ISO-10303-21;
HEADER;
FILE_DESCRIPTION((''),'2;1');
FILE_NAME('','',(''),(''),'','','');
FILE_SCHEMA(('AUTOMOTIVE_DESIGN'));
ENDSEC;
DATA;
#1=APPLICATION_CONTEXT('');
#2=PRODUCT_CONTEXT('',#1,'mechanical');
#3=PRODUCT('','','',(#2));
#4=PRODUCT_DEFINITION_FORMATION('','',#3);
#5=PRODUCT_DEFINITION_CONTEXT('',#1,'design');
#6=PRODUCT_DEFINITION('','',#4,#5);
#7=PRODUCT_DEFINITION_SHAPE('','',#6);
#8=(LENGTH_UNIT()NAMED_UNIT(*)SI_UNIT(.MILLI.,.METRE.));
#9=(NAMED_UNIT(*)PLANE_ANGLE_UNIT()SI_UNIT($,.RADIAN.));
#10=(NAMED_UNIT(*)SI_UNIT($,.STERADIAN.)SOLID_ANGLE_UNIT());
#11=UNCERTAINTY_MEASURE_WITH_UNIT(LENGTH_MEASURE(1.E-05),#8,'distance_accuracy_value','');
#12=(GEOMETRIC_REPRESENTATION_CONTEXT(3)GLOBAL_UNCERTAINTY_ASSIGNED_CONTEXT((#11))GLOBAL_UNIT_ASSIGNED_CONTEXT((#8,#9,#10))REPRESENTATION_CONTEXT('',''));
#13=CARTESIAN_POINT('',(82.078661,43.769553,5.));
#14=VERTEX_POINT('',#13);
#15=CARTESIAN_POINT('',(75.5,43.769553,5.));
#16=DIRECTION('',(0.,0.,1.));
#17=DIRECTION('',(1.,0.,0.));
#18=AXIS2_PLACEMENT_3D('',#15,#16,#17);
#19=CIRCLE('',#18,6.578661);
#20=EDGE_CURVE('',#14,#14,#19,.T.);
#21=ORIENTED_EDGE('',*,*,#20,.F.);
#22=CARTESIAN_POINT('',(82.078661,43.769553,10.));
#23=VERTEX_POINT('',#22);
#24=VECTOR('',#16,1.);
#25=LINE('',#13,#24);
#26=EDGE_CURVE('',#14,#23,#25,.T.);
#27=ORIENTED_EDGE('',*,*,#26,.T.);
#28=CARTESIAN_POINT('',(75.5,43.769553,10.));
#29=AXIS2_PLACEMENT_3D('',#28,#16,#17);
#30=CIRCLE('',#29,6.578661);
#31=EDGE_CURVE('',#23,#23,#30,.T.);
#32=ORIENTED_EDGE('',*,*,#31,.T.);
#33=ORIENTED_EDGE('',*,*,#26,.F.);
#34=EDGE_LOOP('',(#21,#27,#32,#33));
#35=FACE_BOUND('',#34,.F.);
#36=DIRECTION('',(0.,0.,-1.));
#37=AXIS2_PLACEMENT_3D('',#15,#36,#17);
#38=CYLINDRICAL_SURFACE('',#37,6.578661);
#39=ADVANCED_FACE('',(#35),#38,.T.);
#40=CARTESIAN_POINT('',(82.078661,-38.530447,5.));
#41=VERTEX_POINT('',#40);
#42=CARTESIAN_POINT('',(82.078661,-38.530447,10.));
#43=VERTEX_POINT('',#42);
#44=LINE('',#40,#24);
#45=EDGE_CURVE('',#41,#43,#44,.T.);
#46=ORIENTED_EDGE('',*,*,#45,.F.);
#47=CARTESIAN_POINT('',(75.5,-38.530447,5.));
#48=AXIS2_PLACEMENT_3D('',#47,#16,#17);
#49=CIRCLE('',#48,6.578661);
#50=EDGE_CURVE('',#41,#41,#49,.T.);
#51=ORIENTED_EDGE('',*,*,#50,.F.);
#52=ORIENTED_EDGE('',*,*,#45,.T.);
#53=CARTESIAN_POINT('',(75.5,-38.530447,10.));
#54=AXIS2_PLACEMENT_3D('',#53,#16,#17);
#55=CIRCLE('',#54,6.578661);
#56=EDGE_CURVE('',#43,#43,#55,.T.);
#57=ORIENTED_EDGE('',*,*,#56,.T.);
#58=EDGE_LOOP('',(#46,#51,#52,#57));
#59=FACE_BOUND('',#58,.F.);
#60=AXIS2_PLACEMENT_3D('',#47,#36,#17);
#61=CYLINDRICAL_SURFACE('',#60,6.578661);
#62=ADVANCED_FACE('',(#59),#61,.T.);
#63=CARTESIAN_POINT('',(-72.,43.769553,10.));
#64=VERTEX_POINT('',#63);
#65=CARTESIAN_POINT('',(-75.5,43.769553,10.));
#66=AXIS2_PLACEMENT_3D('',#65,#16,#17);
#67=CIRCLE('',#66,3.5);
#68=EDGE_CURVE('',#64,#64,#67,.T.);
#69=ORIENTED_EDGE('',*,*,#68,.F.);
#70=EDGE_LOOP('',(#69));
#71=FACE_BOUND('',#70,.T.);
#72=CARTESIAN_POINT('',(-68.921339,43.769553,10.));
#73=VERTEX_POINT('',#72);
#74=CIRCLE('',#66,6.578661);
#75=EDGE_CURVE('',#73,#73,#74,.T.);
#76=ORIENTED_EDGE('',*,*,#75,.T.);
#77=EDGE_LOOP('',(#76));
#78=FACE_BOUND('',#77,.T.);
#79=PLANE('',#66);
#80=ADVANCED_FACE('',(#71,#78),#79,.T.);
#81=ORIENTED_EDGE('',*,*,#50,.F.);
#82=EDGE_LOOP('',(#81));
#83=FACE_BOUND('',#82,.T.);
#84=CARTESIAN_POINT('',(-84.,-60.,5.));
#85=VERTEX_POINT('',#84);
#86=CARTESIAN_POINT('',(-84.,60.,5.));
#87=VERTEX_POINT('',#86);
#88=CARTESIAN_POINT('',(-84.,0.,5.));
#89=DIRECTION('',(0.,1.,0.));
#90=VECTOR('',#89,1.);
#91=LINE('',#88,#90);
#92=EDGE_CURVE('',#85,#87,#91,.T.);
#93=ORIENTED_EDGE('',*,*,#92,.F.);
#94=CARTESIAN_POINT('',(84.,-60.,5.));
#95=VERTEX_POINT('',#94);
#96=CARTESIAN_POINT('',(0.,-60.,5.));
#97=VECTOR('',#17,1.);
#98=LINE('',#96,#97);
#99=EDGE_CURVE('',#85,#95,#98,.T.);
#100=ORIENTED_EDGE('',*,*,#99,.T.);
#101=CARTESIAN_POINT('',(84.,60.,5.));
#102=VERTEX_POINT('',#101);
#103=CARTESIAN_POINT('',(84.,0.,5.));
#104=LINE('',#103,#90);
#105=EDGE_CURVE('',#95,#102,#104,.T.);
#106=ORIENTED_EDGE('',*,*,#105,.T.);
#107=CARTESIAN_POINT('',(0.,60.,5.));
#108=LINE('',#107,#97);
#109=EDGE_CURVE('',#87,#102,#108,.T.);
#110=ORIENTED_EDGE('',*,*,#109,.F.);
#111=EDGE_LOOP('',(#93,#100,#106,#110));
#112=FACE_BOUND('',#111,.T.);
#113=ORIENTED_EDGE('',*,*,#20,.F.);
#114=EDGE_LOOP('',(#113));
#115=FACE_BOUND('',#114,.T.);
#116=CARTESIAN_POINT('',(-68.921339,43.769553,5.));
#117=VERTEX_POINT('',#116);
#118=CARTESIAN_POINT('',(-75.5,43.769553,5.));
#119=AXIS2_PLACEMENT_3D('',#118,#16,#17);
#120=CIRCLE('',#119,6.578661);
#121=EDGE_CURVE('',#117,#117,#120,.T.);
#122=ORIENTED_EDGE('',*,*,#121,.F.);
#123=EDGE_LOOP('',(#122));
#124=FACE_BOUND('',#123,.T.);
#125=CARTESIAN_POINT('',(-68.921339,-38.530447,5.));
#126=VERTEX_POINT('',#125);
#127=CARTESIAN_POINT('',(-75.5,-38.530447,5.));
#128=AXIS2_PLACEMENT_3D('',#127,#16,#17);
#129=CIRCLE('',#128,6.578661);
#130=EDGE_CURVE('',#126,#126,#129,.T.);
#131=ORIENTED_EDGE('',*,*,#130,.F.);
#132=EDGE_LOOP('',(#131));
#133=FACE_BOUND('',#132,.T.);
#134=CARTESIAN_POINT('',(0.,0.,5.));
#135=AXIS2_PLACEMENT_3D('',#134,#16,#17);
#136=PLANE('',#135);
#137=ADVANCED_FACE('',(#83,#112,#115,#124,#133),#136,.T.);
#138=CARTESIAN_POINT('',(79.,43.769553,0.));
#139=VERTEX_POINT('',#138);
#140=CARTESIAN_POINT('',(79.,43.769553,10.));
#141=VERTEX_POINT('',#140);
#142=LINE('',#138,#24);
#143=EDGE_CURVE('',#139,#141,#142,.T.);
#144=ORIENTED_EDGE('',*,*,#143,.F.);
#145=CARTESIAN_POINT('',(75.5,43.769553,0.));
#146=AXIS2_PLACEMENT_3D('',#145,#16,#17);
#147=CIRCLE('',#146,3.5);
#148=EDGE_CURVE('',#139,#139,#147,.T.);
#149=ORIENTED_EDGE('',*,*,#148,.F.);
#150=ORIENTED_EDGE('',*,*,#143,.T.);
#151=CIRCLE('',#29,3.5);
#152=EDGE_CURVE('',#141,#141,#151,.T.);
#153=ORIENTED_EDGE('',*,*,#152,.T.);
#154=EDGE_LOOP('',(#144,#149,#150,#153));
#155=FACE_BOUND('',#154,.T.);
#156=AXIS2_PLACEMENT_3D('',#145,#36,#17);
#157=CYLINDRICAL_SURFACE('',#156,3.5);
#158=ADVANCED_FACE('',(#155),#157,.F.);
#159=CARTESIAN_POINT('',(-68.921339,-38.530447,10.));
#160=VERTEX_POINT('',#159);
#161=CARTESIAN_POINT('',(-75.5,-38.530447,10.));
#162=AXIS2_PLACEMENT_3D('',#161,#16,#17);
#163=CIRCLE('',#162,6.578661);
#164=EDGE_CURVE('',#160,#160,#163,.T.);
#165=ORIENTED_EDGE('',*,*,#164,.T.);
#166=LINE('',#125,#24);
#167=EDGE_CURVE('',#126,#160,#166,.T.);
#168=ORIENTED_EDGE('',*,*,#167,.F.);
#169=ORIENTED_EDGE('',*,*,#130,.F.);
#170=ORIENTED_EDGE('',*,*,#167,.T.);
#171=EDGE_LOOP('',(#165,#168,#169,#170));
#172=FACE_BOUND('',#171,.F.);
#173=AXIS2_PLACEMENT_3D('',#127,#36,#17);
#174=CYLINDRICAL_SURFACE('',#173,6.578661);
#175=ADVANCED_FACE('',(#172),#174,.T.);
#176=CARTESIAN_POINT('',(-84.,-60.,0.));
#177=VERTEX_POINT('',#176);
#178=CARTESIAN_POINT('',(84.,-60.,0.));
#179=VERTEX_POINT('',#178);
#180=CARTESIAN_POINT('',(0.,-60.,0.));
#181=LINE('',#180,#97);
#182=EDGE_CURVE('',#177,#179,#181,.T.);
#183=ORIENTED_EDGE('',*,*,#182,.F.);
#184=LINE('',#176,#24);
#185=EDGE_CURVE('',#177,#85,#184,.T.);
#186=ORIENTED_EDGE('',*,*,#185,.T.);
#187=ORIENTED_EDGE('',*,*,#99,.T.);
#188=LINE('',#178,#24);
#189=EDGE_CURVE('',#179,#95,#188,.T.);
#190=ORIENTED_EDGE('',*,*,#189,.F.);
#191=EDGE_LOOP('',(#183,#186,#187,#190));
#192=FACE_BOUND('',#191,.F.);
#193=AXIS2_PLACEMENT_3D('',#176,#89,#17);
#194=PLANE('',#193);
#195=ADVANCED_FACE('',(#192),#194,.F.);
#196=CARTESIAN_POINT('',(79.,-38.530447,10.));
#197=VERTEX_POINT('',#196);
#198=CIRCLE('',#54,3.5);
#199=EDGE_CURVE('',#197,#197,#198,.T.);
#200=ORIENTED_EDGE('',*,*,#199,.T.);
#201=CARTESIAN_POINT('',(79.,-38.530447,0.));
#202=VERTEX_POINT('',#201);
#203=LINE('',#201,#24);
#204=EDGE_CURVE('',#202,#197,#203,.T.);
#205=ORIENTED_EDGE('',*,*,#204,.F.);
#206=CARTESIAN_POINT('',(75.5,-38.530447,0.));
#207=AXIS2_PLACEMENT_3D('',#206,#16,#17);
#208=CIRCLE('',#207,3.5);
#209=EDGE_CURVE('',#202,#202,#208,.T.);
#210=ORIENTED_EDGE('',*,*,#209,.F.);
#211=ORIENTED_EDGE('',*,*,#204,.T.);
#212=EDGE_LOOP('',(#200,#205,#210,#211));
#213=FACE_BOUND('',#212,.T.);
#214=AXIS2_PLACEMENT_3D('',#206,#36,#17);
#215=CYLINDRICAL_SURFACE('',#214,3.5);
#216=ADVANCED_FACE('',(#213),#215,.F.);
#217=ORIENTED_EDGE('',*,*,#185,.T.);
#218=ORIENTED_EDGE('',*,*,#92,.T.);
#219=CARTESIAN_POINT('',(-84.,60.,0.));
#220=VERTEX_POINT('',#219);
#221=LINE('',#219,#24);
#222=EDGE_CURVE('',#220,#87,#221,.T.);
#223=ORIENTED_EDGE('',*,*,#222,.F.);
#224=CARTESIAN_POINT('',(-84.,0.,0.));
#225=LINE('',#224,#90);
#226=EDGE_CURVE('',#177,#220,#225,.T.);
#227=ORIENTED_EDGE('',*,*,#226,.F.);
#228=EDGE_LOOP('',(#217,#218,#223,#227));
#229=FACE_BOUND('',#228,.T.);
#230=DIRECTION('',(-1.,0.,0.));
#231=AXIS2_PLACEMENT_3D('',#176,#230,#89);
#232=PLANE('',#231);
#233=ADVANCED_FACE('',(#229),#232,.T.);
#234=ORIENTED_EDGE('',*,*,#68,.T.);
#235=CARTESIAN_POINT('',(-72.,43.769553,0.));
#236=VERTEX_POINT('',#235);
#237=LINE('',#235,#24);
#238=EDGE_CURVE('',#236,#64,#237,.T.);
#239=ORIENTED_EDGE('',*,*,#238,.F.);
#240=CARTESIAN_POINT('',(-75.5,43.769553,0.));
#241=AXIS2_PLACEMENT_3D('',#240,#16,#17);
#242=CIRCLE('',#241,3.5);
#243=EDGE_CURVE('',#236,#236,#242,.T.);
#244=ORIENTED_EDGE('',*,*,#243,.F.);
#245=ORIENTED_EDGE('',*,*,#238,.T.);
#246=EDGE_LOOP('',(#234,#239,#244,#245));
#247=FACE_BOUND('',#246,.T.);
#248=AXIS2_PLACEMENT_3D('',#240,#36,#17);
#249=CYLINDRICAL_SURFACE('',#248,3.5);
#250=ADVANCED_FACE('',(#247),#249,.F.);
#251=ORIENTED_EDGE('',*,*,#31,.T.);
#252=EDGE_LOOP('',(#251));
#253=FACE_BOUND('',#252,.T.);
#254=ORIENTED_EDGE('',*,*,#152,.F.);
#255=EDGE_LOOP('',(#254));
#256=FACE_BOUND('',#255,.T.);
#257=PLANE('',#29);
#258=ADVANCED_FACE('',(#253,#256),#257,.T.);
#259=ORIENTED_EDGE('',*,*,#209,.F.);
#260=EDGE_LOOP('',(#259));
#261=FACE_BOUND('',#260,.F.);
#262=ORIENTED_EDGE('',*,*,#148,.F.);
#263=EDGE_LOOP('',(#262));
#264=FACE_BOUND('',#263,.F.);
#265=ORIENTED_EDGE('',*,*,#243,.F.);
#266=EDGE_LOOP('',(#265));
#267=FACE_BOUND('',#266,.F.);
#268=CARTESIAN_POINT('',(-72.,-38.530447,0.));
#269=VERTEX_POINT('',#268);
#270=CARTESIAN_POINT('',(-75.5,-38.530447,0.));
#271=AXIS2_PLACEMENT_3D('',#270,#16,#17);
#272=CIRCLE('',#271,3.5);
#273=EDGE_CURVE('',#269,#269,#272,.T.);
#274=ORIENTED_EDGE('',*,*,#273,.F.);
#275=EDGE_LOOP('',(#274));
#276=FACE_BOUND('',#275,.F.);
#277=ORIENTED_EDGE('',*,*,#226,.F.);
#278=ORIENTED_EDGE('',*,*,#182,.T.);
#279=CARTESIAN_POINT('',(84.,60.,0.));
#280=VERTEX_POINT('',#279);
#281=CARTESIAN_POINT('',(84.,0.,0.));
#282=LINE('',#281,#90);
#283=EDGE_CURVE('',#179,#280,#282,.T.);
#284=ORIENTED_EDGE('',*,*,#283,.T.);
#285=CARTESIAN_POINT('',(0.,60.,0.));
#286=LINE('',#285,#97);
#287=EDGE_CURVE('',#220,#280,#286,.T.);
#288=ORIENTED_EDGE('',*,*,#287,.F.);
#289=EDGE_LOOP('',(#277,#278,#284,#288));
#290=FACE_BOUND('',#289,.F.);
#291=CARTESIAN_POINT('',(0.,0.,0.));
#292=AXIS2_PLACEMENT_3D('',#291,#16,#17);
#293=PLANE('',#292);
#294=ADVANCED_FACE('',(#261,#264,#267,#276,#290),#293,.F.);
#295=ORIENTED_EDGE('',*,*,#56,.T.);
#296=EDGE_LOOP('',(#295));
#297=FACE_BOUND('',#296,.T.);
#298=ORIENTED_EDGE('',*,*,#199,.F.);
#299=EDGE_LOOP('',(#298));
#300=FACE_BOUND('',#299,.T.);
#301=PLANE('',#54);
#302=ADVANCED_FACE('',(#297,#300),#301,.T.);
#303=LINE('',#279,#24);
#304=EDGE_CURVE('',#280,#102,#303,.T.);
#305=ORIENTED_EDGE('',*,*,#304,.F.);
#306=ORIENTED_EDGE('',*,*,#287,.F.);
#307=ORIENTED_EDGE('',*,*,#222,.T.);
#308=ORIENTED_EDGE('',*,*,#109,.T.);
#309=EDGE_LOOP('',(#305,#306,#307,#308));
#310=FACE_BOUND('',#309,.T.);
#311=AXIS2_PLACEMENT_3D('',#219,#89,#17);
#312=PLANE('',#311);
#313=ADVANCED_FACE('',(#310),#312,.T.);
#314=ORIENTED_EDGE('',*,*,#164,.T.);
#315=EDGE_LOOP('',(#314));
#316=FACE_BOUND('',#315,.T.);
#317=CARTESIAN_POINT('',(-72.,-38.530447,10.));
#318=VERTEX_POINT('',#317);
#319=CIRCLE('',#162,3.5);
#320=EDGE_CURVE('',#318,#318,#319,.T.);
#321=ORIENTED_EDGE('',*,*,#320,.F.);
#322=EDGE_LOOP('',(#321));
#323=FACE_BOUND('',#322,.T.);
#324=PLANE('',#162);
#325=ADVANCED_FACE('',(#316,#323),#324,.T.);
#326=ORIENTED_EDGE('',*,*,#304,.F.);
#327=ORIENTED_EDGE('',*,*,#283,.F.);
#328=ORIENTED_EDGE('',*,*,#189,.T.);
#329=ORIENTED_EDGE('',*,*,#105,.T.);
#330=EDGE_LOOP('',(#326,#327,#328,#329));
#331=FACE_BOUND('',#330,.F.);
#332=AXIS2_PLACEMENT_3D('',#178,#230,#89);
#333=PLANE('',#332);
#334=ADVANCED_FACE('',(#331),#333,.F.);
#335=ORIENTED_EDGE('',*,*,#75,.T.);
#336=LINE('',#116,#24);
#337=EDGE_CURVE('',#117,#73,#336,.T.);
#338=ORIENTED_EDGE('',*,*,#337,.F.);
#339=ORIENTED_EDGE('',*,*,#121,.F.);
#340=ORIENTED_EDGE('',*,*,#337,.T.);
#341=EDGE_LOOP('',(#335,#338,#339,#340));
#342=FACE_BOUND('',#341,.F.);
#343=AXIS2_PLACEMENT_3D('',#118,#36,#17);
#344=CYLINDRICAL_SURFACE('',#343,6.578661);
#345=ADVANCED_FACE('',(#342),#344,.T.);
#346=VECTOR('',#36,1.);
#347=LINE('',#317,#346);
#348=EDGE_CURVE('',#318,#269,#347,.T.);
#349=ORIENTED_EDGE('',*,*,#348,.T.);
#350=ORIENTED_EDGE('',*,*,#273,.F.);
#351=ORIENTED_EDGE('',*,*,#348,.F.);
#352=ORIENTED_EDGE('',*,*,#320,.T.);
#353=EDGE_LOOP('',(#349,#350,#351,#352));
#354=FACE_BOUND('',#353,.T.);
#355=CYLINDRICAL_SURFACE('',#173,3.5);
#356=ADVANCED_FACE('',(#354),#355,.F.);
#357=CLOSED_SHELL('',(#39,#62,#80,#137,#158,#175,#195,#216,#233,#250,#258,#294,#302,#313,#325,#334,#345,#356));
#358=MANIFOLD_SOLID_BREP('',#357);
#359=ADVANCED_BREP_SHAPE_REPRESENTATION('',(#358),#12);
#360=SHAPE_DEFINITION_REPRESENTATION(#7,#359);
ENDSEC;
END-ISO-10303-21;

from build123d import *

# Parameters (mm, degrees)
F0_W     = 168
F0_H     = 120
F0_R     = 3.5
F1_DEPTH = 5
F2_R     = 6.5786613614
F2_R_2   = 3.5
F3_DEPTH = 5


with BuildPart() as f1:
    # F0 (on Top) → F1 (new body)
    with BuildSketch(Plane.XY):
        Rectangle(F0_W, F0_H)
        with Locations((-75.5, -38.5304466963)):
            Circle(F0_R, mode=Mode.SUBTRACT)
        with Locations((75.5, -38.5304466963)):
            Circle(F0_R, mode=Mode.SUBTRACT)
        with Locations((-75.5, 43.7695533037)):
            Circle(F0_R, mode=Mode.SUBTRACT)
        with Locations((75.5, 43.7695533037)):
            Circle(F0_R, mode=Mode.SUBTRACT)
    extrude(amount=F1_DEPTH)

    # F2 (on face) → F3 (join)
    with BuildSketch(Plane.XY.offset(5)):
        with Locations((-75.5, -38.5304466963)):
            Circle(F2_R)
        with Locations((-75.5, -38.5304466963)):
            Circle(F2_R_2, mode=Mode.SUBTRACT)
        with Locations((-75.5, 43.7695533037)):
            Circle(F2_R)
        with Locations((-75.5, 43.7695533037)):
            Circle(F2_R_2, mode=Mode.SUBTRACT)
        with Locations((75.5, 43.7695533037)):
            Circle(F2_R)
        with Locations((75.5, 43.7695533037)):
            Circle(F2_R_2, mode=Mode.SUBTRACT)
        with Locations((75.5, -38.5304466963)):
            Circle(F2_R)
        with Locations((75.5, -38.5304466963)):
            Circle(F2_R_2, mode=Mode.SUBTRACT)
    extrude(amount=F3_DEPTH)


solid = f1.part
